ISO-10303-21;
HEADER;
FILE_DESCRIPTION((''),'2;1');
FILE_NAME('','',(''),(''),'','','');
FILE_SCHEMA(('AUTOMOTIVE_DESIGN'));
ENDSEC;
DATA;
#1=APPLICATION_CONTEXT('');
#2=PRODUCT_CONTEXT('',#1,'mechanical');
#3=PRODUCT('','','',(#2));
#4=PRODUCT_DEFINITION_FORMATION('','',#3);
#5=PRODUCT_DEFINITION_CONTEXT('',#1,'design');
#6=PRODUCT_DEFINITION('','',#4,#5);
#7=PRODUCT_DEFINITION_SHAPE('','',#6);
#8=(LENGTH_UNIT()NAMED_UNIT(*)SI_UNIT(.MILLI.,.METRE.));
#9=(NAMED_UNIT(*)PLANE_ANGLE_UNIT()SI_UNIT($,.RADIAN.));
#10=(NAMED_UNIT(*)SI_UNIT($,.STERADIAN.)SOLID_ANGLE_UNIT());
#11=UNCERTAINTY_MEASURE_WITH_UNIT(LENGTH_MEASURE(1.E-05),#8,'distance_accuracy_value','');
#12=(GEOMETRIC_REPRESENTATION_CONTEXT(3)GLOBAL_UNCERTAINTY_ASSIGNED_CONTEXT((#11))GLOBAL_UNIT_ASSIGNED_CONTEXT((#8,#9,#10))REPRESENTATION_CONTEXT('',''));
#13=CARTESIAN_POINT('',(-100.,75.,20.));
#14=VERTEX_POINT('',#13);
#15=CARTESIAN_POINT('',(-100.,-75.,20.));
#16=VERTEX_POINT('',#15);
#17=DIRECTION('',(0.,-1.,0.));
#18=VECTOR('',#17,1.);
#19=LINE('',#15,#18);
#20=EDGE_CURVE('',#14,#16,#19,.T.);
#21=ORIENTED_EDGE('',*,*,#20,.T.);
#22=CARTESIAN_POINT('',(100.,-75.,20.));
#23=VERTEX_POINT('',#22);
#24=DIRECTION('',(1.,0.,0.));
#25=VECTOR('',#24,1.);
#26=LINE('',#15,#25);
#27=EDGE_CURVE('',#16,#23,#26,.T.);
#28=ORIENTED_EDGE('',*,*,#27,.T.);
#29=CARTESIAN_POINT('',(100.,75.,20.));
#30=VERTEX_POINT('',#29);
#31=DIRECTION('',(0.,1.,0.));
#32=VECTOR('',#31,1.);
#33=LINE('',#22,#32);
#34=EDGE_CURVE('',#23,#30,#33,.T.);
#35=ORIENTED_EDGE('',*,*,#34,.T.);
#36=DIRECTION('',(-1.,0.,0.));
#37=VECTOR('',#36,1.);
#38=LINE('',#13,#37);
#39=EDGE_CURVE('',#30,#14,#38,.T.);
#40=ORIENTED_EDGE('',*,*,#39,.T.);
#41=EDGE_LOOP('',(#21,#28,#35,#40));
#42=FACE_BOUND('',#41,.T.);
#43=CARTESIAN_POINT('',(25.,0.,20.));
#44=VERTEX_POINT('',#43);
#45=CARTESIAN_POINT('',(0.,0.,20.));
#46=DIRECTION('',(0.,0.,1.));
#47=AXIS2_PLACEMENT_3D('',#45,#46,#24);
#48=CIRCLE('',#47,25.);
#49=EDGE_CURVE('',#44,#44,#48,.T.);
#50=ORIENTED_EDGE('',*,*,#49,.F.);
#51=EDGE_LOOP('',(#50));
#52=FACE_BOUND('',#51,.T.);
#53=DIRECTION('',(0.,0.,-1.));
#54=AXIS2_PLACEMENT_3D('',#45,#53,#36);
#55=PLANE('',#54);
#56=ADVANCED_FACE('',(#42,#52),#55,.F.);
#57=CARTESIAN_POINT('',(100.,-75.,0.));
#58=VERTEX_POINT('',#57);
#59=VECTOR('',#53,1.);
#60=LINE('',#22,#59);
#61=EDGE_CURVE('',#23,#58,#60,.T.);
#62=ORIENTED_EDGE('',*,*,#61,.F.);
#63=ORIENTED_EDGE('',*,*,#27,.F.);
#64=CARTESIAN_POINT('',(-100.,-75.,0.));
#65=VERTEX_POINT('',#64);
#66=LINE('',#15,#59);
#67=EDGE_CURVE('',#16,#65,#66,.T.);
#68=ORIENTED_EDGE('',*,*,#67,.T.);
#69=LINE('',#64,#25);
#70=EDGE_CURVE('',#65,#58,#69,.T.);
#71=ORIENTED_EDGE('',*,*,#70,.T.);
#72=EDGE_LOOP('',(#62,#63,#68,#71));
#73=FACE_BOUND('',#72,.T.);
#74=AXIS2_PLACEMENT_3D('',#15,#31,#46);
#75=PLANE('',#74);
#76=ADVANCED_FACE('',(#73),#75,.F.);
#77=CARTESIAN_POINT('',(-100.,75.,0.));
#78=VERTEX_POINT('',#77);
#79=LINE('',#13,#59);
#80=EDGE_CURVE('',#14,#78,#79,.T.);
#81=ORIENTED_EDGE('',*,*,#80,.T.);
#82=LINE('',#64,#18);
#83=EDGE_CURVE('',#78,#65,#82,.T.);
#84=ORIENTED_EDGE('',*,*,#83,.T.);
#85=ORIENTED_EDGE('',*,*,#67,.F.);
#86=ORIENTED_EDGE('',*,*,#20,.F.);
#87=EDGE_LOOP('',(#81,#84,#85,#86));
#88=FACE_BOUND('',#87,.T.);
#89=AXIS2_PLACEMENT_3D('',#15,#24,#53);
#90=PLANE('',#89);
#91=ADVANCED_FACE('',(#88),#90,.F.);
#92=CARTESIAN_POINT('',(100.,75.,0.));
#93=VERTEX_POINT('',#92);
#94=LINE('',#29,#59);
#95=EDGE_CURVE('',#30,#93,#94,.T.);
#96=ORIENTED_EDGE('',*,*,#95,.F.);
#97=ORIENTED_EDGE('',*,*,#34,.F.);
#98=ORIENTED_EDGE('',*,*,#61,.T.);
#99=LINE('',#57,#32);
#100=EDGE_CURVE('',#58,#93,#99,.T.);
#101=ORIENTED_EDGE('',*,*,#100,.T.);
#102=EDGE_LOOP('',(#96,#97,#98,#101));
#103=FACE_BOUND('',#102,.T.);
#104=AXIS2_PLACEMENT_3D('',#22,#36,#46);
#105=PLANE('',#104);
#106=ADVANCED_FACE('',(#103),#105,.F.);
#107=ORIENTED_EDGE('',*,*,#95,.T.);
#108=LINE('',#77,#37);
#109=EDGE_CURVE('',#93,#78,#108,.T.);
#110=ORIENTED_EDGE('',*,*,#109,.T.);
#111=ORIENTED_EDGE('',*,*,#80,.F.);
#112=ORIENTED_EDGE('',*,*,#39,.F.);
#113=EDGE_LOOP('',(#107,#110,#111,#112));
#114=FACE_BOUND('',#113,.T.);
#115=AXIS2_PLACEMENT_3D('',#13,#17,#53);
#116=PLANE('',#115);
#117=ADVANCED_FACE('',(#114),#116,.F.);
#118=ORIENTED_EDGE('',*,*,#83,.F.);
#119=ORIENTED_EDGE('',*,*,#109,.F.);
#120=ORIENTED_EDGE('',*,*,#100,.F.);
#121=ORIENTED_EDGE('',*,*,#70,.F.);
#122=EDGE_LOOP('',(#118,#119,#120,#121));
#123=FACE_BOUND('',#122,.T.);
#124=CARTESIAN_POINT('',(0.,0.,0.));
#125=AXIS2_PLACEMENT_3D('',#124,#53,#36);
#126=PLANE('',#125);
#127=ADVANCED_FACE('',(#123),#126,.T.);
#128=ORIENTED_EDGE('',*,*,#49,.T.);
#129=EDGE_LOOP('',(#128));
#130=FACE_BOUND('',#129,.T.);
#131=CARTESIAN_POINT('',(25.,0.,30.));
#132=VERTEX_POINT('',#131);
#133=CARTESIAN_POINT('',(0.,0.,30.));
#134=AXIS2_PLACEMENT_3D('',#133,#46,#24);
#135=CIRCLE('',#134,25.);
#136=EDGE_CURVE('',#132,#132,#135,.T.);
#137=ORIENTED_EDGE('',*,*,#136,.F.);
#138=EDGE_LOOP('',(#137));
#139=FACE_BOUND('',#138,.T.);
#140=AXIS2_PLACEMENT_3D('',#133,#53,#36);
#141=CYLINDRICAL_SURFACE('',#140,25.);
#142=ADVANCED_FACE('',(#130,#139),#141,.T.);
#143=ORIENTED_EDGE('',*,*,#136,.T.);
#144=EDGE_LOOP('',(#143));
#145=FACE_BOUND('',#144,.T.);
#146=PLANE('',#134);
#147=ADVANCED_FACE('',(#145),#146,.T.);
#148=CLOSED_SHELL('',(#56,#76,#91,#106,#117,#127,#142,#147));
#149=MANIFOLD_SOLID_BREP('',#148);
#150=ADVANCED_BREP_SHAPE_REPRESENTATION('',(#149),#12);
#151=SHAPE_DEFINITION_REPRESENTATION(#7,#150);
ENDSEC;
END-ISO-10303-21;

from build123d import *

# Parameters (mm, degrees)
SKETCH1_W           = 200
SKETCH1_H           = 150
BOSS_EXTRUDE1_DEPTH = 20
SKETCH2_R           = 25
BOSS_EXTRUDE2_DEPTH = 10


with BuildPart() as part:
    # Sketch1 → Boss-Extrude1 (new body)
    with BuildSketch(Plane.XY):
        Rectangle(SKETCH1_W, SKETCH1_H)
    extrude(amount=BOSS_EXTRUDE1_DEPTH)

    # Sketch2 → Boss-Extrude2 (add)
    with BuildSketch(Plane.XY.offset(20)):
        Circle(SKETCH2_R)
    extrude(amount=BOSS_EXTRUDE2_DEPTH)


solid = part.part
